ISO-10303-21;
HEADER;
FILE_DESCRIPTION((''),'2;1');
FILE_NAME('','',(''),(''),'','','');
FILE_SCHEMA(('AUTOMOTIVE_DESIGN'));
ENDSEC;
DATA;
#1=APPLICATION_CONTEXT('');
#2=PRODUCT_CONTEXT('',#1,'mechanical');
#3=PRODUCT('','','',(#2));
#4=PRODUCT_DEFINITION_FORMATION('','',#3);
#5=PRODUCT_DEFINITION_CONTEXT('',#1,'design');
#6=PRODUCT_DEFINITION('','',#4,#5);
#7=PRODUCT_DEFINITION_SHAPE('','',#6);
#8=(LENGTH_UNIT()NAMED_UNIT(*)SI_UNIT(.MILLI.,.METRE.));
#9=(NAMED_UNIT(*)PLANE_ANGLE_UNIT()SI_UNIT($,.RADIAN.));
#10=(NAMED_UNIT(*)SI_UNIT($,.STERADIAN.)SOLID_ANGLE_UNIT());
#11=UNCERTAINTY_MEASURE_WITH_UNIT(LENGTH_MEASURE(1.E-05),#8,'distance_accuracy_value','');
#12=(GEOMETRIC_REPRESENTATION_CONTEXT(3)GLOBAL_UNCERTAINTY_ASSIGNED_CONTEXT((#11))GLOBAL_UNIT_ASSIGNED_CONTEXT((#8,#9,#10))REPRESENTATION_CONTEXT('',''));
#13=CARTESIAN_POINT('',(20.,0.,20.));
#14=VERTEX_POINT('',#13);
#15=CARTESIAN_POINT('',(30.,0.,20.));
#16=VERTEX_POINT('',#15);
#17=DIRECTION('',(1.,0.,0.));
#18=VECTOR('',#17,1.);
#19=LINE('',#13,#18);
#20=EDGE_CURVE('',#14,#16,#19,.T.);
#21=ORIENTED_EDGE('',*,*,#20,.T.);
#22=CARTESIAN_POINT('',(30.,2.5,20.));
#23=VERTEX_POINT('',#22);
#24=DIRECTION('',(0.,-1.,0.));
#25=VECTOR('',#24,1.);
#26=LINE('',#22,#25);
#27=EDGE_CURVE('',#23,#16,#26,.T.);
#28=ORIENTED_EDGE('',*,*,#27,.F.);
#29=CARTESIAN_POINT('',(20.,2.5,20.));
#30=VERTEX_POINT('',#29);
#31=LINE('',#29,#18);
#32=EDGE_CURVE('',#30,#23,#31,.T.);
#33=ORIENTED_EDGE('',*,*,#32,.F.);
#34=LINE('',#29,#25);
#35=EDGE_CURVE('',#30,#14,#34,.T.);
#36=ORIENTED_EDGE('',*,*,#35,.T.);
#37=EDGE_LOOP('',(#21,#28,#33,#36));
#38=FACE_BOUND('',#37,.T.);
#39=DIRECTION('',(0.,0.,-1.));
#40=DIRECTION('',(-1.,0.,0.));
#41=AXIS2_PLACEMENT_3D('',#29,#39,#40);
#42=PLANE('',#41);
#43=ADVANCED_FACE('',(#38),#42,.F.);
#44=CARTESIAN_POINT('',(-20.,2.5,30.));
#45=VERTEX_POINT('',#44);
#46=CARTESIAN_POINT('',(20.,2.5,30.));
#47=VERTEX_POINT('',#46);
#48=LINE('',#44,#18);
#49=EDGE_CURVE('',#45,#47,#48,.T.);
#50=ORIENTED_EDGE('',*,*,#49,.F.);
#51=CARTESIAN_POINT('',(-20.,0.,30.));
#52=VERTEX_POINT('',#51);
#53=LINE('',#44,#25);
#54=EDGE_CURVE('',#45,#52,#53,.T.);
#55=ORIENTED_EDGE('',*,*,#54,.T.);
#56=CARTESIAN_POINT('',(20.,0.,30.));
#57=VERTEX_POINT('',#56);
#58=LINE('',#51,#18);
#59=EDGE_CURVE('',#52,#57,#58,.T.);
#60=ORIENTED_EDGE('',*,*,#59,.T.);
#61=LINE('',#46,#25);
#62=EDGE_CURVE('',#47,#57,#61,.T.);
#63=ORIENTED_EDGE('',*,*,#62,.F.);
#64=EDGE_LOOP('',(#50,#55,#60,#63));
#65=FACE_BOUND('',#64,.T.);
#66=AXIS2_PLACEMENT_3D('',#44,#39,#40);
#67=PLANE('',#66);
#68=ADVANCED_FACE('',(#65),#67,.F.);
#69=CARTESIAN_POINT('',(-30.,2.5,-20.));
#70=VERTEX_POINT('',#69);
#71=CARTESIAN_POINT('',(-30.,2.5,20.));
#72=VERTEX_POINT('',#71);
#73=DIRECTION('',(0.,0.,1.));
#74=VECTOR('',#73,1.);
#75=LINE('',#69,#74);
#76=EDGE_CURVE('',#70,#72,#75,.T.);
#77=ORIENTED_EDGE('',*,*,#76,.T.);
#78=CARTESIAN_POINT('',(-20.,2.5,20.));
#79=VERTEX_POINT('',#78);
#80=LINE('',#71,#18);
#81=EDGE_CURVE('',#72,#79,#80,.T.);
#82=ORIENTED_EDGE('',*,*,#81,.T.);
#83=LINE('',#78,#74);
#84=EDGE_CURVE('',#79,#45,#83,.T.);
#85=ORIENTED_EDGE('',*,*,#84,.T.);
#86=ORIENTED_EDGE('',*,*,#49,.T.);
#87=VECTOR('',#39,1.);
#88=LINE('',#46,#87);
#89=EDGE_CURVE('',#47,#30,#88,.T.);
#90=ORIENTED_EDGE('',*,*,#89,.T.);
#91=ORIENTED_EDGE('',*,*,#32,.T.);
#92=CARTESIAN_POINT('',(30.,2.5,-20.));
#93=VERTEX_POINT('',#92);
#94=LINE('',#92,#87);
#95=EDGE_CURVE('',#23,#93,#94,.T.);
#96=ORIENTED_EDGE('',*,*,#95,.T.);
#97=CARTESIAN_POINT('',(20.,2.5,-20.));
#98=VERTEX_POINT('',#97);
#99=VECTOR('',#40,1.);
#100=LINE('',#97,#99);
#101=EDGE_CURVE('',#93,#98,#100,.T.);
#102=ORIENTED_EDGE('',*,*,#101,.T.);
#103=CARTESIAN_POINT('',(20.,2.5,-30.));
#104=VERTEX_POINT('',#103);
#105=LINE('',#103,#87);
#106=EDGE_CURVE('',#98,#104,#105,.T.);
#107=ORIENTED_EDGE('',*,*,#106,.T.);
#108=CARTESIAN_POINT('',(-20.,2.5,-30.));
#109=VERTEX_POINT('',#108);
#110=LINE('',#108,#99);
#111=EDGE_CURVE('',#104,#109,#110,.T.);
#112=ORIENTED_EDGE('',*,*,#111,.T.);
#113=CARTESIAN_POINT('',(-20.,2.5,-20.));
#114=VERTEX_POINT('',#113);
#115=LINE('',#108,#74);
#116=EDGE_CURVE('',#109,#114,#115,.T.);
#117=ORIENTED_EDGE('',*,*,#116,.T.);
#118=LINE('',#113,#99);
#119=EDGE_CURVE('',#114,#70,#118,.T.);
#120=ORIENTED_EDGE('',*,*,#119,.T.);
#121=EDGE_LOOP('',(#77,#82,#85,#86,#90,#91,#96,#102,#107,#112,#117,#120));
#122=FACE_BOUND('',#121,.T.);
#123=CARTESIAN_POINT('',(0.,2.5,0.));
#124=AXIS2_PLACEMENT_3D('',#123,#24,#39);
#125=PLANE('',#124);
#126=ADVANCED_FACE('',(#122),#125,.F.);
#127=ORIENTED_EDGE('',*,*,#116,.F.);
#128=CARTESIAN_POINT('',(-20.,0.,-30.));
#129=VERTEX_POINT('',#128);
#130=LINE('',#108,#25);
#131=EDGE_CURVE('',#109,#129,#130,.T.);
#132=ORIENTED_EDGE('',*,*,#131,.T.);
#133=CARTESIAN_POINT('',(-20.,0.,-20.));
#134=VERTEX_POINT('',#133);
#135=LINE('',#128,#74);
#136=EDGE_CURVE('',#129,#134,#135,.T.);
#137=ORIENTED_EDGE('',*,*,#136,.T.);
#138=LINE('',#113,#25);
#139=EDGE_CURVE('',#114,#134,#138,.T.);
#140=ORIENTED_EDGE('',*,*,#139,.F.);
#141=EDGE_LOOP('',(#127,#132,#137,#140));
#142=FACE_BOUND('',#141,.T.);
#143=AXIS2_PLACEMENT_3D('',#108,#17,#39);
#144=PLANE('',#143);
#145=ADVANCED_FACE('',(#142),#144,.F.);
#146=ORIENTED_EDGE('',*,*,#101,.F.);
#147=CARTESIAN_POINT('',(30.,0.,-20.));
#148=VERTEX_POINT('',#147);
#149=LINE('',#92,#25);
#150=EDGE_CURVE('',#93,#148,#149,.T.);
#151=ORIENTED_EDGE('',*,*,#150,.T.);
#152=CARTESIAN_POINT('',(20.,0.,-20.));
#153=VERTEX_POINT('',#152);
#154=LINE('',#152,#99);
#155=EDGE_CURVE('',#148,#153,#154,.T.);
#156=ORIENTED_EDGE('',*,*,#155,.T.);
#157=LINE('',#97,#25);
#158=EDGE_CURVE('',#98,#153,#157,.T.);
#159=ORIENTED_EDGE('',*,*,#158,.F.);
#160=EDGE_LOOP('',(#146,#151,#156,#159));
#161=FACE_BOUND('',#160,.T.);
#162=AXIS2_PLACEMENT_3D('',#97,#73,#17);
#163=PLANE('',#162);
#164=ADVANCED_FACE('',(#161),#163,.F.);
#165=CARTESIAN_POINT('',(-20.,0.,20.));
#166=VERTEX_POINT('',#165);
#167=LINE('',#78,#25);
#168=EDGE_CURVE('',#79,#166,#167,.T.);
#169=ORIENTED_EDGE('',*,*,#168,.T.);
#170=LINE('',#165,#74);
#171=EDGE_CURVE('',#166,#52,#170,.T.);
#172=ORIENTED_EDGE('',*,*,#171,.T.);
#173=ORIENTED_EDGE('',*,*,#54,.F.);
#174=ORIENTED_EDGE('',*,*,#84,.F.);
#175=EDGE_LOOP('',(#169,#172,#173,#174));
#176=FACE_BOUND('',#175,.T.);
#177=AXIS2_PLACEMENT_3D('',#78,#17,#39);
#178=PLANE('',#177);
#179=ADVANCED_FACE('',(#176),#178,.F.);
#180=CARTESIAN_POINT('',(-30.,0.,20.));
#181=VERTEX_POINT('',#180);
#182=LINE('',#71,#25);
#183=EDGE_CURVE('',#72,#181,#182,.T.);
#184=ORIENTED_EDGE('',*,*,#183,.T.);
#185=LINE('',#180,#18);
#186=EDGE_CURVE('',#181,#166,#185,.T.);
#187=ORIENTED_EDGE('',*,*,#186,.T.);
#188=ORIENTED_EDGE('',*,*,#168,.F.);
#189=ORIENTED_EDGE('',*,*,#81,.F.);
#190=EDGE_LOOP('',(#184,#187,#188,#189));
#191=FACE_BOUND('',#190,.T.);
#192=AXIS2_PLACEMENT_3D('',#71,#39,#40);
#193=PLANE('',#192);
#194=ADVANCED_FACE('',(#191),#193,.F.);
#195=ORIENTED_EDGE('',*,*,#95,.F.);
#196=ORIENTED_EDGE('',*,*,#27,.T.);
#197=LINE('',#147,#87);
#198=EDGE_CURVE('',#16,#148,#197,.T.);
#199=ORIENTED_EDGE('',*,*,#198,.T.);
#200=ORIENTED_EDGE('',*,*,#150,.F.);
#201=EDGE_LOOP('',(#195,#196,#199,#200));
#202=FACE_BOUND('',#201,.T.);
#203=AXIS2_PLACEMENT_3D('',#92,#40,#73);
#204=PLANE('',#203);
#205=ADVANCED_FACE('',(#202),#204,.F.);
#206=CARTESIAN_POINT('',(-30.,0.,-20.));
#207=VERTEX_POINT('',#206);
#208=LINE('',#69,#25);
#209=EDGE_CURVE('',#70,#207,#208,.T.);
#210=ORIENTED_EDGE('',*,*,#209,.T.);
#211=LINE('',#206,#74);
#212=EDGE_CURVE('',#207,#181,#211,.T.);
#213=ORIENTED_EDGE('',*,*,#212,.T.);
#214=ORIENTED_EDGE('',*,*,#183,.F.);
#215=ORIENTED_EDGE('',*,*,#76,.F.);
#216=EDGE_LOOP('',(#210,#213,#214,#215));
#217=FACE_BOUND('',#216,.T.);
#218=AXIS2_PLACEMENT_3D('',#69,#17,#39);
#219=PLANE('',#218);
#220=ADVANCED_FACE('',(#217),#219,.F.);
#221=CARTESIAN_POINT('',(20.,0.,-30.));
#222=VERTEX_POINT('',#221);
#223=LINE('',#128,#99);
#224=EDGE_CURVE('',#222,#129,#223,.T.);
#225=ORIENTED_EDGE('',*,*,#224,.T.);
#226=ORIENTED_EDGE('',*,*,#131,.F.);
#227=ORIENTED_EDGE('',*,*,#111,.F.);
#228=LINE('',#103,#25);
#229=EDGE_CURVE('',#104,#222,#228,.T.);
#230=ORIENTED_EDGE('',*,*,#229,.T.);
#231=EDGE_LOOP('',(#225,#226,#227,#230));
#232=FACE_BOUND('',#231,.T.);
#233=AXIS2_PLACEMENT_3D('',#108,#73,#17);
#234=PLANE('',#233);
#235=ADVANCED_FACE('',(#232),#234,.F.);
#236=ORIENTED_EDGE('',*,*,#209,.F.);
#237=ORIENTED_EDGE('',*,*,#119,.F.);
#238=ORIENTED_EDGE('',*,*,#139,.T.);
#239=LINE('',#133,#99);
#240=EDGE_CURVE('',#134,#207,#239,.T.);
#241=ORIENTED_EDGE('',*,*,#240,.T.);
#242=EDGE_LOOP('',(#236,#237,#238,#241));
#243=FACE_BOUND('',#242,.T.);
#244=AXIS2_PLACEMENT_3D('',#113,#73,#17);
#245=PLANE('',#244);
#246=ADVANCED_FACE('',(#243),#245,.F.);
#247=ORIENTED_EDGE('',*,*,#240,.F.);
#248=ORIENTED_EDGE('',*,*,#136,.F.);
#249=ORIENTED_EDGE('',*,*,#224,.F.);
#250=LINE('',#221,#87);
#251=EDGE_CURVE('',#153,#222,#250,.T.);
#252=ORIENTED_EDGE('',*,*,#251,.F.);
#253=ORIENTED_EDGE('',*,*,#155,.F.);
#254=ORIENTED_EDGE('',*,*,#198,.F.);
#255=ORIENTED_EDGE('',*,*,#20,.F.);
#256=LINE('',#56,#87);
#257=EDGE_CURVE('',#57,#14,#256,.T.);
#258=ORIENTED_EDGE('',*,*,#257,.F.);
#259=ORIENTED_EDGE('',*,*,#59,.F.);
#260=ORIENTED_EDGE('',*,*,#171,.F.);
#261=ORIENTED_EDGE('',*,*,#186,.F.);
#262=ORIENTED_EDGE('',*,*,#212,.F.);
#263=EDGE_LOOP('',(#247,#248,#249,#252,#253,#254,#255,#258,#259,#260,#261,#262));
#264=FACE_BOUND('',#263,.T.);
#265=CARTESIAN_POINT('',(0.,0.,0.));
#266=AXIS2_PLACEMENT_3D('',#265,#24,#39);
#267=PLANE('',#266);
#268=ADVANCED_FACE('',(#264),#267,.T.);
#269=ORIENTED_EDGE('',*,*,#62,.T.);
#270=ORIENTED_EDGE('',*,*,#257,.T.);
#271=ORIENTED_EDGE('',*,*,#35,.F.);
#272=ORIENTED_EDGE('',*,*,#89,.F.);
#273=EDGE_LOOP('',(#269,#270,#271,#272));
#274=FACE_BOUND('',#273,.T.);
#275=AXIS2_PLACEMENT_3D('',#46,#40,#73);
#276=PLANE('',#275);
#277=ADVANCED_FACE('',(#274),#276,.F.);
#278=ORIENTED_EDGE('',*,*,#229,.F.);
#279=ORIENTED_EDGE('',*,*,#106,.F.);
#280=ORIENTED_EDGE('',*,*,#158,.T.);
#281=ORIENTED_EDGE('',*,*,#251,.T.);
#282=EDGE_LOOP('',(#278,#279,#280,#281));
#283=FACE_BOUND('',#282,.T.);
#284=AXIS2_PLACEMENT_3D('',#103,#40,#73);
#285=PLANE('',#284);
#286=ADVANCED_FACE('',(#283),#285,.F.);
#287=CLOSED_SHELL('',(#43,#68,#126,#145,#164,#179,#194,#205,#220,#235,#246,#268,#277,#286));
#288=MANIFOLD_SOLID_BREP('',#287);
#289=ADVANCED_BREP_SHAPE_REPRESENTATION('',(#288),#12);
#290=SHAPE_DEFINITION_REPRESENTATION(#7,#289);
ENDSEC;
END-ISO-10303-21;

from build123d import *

# Parameters (mm, degrees)
BOSS_EXTRUDE1_DEPTH = 2.5


with BuildPart() as part:
    # Sketch1 → Boss-Extrude1 (new body)
    with BuildSketch(Plane(origin=(0, 0, 0), x_dir=(1, 0, 0), z_dir=(0, 1, 0))):
        Polygon((-20, 30), (-20, 20), (-30, 20), (-30, -20), (-20, -20), (-20, -30), (20, -30), (20, -20), (30, -20), (30, 20), (20, 20), (20, 30), align=None)
    extrude(amount=BOSS_EXTRUDE1_DEPTH)


solid = part.part
